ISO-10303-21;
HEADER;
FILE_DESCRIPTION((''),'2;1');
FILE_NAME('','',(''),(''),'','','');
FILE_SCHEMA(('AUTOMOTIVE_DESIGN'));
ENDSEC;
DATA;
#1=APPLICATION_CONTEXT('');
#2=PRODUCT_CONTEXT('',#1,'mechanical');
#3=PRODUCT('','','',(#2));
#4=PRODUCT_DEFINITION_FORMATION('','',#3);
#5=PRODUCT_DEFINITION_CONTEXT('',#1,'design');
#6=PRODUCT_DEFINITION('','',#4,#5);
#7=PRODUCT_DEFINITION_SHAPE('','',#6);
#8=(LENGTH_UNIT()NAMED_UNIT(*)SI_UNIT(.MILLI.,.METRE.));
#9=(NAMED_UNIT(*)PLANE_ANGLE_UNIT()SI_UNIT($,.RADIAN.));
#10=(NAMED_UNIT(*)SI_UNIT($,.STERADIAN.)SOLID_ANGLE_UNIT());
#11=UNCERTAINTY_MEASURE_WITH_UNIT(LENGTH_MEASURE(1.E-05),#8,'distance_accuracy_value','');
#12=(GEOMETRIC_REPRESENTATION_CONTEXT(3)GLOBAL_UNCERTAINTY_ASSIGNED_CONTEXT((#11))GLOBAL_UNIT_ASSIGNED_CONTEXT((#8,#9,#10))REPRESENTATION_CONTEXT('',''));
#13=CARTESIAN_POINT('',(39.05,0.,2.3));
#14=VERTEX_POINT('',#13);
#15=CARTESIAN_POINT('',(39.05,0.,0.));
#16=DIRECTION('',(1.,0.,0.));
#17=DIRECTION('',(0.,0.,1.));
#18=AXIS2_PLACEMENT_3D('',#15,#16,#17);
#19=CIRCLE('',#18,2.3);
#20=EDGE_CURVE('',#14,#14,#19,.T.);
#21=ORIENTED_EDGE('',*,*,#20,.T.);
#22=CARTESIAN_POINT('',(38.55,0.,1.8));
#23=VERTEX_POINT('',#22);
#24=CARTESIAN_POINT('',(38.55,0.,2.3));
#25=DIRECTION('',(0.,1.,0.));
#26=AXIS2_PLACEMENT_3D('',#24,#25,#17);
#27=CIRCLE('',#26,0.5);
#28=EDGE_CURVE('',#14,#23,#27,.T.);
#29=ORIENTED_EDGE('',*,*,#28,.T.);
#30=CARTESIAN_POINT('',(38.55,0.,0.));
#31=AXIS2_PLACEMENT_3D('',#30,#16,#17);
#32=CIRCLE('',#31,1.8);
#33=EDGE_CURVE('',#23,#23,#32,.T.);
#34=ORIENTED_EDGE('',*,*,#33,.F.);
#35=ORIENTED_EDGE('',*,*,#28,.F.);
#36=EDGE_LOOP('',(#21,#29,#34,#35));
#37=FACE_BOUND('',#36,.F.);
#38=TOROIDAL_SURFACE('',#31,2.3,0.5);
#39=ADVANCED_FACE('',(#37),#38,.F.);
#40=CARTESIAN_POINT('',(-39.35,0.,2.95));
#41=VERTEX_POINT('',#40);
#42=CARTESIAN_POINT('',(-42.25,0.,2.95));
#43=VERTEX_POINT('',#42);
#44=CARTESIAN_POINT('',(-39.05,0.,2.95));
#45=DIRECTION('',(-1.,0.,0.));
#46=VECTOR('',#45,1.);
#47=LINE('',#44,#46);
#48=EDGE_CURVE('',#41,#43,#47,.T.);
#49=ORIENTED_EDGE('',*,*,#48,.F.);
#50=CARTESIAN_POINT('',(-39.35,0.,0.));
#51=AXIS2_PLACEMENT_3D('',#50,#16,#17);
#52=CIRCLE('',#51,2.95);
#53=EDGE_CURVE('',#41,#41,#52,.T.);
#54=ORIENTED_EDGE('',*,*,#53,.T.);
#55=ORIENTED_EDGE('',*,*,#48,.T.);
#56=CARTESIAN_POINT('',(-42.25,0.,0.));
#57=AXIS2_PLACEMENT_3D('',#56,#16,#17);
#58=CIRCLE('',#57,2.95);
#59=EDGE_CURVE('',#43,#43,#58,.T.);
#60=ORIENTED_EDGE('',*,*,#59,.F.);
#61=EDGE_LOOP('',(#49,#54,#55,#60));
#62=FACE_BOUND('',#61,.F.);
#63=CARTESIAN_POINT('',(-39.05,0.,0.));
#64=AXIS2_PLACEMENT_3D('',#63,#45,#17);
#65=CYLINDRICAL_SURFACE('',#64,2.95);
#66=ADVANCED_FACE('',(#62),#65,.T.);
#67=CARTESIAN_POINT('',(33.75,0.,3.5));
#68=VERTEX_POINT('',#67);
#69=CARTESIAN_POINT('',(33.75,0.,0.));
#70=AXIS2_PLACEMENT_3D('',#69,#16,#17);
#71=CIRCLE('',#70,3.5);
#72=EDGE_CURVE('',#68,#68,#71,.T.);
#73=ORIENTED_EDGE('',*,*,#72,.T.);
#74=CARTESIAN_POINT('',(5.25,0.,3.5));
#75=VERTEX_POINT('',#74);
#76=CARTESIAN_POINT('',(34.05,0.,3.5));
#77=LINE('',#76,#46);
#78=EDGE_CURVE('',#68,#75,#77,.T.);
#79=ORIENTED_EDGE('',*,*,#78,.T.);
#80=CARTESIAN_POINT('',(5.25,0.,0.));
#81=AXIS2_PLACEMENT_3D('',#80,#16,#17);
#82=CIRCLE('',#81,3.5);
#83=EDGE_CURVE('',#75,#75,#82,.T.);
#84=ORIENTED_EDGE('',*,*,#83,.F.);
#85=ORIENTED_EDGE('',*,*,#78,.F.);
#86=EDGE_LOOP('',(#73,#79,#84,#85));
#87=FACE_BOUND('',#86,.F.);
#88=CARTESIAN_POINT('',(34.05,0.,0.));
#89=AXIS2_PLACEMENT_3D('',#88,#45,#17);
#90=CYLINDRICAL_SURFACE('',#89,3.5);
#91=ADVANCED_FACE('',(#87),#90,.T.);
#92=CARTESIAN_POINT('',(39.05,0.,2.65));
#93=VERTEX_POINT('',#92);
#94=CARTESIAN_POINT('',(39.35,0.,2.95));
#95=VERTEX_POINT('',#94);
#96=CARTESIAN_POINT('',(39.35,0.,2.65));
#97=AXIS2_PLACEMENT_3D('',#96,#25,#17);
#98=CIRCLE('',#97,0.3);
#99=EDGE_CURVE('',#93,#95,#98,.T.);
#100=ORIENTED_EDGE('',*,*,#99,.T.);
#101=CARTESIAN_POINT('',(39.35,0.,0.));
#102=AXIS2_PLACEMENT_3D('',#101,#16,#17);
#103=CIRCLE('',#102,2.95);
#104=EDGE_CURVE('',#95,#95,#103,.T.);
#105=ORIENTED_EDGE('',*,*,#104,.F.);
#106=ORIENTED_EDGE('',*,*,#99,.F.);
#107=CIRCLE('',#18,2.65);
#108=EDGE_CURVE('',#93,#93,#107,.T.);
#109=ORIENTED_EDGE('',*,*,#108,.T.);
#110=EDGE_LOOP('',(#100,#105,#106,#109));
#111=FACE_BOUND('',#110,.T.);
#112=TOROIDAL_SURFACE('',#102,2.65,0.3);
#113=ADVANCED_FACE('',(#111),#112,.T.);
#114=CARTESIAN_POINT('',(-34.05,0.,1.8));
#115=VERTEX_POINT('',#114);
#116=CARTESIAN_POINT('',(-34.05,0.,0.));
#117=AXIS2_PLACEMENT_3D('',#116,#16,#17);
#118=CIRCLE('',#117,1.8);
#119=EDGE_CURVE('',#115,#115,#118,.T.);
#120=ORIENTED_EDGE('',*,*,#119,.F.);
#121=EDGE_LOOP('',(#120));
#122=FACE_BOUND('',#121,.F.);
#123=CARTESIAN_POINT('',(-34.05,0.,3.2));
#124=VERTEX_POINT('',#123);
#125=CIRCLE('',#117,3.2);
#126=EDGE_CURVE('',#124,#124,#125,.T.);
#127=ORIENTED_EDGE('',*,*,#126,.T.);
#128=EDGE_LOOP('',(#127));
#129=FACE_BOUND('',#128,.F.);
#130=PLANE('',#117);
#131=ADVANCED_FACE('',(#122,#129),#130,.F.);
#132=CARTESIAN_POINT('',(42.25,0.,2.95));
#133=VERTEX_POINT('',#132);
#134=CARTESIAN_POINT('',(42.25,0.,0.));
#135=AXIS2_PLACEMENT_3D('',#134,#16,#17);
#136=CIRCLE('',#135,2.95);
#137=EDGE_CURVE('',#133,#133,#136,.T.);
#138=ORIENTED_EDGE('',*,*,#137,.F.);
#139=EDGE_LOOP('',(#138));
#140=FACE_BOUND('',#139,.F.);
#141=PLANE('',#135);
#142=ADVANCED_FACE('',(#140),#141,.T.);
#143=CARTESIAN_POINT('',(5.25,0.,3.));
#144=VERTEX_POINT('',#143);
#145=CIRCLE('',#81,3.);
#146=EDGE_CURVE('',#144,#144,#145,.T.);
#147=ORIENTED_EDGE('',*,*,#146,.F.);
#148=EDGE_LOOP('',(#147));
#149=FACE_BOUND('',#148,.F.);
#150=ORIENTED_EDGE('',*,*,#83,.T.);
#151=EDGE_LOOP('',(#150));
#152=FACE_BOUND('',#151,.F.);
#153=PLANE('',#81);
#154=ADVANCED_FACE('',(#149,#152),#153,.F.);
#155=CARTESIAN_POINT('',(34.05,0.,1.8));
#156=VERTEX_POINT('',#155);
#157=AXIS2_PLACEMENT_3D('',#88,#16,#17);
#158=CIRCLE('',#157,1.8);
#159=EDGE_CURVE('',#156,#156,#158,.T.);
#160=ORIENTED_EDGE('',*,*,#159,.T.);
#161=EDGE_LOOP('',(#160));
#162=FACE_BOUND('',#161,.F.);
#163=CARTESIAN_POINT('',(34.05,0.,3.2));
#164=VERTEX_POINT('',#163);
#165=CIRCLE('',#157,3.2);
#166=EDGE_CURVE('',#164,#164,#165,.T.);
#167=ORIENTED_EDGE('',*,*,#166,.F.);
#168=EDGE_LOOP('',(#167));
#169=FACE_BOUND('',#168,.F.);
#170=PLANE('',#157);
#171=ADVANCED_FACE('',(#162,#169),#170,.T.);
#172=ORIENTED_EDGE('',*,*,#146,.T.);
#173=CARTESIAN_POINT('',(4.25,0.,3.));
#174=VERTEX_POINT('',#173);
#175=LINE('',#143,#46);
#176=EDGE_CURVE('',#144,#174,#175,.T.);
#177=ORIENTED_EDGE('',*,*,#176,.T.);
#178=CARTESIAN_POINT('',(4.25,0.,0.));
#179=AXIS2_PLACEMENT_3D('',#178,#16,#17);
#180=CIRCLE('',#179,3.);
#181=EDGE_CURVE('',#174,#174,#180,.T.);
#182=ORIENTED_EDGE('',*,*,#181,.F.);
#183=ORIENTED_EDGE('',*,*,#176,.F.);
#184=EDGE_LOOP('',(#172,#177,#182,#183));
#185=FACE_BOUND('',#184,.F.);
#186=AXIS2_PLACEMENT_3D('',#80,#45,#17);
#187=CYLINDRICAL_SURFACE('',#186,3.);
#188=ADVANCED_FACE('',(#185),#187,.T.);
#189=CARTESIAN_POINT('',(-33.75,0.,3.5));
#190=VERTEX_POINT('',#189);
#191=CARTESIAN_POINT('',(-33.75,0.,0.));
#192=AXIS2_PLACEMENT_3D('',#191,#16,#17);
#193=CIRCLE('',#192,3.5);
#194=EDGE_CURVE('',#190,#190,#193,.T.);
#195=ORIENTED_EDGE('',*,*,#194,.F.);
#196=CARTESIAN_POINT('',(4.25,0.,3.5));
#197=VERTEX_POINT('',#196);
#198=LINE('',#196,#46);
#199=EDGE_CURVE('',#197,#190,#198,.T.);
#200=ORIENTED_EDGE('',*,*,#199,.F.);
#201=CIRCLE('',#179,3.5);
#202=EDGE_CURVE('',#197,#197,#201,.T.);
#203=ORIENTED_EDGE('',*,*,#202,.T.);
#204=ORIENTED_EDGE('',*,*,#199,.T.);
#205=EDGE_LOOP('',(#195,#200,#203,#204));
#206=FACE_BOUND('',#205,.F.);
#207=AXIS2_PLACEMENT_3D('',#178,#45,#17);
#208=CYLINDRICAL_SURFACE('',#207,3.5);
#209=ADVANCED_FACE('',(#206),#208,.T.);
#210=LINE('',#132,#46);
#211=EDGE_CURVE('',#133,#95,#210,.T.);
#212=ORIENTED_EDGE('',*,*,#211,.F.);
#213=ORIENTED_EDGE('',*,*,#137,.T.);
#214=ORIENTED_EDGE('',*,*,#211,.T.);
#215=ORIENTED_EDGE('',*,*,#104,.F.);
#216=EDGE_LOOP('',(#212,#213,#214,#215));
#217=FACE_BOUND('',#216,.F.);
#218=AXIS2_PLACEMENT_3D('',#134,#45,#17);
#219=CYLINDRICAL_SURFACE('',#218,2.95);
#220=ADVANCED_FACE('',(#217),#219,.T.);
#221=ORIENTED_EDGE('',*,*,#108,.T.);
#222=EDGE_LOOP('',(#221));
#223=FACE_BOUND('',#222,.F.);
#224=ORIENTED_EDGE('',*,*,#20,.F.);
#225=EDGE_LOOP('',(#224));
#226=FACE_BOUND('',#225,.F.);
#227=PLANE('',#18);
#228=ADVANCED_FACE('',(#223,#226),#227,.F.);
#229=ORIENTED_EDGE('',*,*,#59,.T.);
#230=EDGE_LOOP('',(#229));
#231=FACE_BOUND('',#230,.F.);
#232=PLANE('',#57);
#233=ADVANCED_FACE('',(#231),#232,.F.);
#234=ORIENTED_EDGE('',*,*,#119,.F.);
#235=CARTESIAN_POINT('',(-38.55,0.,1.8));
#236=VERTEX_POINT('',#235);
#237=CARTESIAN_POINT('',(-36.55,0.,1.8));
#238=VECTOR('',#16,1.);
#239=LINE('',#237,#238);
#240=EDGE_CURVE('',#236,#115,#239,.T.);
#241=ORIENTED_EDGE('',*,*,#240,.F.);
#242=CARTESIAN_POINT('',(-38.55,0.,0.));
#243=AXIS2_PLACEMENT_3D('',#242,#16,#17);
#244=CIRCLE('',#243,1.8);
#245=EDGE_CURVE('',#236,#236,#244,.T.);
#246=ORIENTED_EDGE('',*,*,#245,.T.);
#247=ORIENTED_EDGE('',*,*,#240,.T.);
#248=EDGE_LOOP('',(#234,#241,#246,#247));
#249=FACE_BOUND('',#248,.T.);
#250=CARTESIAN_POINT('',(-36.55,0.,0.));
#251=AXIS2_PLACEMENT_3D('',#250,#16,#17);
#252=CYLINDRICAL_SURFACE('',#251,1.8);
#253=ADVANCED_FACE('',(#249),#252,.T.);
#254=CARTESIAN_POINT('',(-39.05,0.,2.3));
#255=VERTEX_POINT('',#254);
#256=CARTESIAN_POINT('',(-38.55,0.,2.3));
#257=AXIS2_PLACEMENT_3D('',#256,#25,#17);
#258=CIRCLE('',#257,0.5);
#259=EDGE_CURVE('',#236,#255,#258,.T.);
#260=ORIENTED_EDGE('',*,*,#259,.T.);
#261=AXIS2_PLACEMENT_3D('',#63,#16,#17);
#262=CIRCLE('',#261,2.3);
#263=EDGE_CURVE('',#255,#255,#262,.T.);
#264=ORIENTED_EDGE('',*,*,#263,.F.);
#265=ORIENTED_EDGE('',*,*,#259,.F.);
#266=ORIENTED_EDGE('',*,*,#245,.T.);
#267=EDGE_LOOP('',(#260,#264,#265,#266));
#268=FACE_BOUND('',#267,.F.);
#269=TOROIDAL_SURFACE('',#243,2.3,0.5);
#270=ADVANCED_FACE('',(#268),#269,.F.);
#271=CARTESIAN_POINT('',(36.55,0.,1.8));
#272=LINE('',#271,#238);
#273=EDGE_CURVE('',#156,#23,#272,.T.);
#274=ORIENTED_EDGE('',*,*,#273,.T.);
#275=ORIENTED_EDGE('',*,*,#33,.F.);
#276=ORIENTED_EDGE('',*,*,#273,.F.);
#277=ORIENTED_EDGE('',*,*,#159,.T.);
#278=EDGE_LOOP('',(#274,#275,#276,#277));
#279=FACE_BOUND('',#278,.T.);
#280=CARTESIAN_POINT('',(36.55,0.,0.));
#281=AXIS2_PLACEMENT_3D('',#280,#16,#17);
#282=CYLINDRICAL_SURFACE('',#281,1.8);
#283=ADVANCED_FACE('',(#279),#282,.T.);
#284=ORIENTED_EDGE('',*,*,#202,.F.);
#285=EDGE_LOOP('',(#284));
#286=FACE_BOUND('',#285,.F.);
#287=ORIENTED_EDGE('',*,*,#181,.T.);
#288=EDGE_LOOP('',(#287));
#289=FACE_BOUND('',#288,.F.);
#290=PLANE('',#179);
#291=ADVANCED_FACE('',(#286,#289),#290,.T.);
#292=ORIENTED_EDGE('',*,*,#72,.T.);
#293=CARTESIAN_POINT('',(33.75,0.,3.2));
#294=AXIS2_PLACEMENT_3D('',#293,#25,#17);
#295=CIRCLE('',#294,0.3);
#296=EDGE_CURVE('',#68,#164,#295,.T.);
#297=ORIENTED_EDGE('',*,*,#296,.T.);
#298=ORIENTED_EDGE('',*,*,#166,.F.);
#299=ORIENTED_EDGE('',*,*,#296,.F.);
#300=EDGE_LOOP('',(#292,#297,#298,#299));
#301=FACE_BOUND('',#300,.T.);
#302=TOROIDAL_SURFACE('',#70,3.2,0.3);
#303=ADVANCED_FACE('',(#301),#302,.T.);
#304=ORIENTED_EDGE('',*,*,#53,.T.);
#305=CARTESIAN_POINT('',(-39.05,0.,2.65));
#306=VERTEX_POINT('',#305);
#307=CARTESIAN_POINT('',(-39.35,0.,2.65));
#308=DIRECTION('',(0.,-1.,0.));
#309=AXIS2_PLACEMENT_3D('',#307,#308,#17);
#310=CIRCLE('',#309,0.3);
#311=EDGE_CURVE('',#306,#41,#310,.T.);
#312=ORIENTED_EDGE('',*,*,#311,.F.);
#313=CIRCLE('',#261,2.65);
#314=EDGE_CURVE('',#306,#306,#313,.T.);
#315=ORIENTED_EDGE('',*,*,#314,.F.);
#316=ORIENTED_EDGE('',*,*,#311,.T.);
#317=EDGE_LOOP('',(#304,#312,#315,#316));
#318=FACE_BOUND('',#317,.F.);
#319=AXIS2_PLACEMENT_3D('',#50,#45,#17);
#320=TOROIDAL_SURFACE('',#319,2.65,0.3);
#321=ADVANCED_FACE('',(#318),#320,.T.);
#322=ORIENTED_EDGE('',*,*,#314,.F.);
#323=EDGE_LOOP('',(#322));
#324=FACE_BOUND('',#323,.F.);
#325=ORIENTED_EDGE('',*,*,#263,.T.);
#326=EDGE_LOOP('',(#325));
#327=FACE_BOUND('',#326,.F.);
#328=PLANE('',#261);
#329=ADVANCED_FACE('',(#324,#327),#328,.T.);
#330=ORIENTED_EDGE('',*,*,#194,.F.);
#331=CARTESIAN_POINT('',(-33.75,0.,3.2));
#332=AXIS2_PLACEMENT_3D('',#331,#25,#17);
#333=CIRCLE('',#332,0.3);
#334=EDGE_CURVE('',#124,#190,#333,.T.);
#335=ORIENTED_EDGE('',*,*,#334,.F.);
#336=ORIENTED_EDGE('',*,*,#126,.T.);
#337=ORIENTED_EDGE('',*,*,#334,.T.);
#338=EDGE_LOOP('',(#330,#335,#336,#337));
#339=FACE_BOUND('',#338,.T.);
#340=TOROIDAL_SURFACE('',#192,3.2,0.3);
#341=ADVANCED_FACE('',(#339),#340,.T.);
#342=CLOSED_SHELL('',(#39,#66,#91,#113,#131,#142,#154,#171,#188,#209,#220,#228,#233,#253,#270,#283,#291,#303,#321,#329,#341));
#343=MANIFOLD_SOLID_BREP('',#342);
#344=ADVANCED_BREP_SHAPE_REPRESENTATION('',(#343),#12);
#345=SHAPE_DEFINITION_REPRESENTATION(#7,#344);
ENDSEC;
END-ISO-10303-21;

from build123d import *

# Parameters (mm, degrees)
F0_W = 5
F0_H = 1.8
F2_R = 0.5
F3_R = 0.3


with BuildPart() as f1:
    # F0 (on Front) → F1 (revolve)
    with BuildSketch(Plane.XZ):
        Polygon((4.25, 3.5), (-34.05, 3.5), (-34.05, 1.8), (-34.05, 0), (34.05, 0), (34.05, 1.8), (34.05, 3.5), (5.25, 3.5), (5.25, 3), (4.25, 3), align=None)
        with Locations((-36.55, 0.9)):
            Rectangle(F0_W, F0_H)
        Polygon((-39.05, 0), (-39.05, 1.8), (-39.05, 2.95), (-42.25, 2.95), (-42.25, 0), align=None)
        with Locations((36.55, 0.9)):
            Rectangle(F0_W, F0_H)
        Polygon((39.05, 1.8), (39.05, 0), (42.25, 0), (42.25, 2.95), (39.05, 2.95), align=None)
    revolve(axis=Axis((0, 0, 0), (1, 0, 0)))

    # F2
    f2_edges = [f1.edges().sort_by_distance(p)[0] for p in [
        (-39.05, 0, -1.8),
        (39.05, 0, -1.8),
    ]]
    fillet(f2_edges, radius=F2_R)

    # F3
    f3_edges = [f1.edges().sort_by_distance(p)[0] for p in [
        (-34.05, 0, -3.5),
        (34.05, 0, -3.5),
        (39.05, 0, -2.95),
        (-39.05, 0, -2.95),
    ]]
    fillet(f3_edges, radius=F3_R)


solid = f1.part
